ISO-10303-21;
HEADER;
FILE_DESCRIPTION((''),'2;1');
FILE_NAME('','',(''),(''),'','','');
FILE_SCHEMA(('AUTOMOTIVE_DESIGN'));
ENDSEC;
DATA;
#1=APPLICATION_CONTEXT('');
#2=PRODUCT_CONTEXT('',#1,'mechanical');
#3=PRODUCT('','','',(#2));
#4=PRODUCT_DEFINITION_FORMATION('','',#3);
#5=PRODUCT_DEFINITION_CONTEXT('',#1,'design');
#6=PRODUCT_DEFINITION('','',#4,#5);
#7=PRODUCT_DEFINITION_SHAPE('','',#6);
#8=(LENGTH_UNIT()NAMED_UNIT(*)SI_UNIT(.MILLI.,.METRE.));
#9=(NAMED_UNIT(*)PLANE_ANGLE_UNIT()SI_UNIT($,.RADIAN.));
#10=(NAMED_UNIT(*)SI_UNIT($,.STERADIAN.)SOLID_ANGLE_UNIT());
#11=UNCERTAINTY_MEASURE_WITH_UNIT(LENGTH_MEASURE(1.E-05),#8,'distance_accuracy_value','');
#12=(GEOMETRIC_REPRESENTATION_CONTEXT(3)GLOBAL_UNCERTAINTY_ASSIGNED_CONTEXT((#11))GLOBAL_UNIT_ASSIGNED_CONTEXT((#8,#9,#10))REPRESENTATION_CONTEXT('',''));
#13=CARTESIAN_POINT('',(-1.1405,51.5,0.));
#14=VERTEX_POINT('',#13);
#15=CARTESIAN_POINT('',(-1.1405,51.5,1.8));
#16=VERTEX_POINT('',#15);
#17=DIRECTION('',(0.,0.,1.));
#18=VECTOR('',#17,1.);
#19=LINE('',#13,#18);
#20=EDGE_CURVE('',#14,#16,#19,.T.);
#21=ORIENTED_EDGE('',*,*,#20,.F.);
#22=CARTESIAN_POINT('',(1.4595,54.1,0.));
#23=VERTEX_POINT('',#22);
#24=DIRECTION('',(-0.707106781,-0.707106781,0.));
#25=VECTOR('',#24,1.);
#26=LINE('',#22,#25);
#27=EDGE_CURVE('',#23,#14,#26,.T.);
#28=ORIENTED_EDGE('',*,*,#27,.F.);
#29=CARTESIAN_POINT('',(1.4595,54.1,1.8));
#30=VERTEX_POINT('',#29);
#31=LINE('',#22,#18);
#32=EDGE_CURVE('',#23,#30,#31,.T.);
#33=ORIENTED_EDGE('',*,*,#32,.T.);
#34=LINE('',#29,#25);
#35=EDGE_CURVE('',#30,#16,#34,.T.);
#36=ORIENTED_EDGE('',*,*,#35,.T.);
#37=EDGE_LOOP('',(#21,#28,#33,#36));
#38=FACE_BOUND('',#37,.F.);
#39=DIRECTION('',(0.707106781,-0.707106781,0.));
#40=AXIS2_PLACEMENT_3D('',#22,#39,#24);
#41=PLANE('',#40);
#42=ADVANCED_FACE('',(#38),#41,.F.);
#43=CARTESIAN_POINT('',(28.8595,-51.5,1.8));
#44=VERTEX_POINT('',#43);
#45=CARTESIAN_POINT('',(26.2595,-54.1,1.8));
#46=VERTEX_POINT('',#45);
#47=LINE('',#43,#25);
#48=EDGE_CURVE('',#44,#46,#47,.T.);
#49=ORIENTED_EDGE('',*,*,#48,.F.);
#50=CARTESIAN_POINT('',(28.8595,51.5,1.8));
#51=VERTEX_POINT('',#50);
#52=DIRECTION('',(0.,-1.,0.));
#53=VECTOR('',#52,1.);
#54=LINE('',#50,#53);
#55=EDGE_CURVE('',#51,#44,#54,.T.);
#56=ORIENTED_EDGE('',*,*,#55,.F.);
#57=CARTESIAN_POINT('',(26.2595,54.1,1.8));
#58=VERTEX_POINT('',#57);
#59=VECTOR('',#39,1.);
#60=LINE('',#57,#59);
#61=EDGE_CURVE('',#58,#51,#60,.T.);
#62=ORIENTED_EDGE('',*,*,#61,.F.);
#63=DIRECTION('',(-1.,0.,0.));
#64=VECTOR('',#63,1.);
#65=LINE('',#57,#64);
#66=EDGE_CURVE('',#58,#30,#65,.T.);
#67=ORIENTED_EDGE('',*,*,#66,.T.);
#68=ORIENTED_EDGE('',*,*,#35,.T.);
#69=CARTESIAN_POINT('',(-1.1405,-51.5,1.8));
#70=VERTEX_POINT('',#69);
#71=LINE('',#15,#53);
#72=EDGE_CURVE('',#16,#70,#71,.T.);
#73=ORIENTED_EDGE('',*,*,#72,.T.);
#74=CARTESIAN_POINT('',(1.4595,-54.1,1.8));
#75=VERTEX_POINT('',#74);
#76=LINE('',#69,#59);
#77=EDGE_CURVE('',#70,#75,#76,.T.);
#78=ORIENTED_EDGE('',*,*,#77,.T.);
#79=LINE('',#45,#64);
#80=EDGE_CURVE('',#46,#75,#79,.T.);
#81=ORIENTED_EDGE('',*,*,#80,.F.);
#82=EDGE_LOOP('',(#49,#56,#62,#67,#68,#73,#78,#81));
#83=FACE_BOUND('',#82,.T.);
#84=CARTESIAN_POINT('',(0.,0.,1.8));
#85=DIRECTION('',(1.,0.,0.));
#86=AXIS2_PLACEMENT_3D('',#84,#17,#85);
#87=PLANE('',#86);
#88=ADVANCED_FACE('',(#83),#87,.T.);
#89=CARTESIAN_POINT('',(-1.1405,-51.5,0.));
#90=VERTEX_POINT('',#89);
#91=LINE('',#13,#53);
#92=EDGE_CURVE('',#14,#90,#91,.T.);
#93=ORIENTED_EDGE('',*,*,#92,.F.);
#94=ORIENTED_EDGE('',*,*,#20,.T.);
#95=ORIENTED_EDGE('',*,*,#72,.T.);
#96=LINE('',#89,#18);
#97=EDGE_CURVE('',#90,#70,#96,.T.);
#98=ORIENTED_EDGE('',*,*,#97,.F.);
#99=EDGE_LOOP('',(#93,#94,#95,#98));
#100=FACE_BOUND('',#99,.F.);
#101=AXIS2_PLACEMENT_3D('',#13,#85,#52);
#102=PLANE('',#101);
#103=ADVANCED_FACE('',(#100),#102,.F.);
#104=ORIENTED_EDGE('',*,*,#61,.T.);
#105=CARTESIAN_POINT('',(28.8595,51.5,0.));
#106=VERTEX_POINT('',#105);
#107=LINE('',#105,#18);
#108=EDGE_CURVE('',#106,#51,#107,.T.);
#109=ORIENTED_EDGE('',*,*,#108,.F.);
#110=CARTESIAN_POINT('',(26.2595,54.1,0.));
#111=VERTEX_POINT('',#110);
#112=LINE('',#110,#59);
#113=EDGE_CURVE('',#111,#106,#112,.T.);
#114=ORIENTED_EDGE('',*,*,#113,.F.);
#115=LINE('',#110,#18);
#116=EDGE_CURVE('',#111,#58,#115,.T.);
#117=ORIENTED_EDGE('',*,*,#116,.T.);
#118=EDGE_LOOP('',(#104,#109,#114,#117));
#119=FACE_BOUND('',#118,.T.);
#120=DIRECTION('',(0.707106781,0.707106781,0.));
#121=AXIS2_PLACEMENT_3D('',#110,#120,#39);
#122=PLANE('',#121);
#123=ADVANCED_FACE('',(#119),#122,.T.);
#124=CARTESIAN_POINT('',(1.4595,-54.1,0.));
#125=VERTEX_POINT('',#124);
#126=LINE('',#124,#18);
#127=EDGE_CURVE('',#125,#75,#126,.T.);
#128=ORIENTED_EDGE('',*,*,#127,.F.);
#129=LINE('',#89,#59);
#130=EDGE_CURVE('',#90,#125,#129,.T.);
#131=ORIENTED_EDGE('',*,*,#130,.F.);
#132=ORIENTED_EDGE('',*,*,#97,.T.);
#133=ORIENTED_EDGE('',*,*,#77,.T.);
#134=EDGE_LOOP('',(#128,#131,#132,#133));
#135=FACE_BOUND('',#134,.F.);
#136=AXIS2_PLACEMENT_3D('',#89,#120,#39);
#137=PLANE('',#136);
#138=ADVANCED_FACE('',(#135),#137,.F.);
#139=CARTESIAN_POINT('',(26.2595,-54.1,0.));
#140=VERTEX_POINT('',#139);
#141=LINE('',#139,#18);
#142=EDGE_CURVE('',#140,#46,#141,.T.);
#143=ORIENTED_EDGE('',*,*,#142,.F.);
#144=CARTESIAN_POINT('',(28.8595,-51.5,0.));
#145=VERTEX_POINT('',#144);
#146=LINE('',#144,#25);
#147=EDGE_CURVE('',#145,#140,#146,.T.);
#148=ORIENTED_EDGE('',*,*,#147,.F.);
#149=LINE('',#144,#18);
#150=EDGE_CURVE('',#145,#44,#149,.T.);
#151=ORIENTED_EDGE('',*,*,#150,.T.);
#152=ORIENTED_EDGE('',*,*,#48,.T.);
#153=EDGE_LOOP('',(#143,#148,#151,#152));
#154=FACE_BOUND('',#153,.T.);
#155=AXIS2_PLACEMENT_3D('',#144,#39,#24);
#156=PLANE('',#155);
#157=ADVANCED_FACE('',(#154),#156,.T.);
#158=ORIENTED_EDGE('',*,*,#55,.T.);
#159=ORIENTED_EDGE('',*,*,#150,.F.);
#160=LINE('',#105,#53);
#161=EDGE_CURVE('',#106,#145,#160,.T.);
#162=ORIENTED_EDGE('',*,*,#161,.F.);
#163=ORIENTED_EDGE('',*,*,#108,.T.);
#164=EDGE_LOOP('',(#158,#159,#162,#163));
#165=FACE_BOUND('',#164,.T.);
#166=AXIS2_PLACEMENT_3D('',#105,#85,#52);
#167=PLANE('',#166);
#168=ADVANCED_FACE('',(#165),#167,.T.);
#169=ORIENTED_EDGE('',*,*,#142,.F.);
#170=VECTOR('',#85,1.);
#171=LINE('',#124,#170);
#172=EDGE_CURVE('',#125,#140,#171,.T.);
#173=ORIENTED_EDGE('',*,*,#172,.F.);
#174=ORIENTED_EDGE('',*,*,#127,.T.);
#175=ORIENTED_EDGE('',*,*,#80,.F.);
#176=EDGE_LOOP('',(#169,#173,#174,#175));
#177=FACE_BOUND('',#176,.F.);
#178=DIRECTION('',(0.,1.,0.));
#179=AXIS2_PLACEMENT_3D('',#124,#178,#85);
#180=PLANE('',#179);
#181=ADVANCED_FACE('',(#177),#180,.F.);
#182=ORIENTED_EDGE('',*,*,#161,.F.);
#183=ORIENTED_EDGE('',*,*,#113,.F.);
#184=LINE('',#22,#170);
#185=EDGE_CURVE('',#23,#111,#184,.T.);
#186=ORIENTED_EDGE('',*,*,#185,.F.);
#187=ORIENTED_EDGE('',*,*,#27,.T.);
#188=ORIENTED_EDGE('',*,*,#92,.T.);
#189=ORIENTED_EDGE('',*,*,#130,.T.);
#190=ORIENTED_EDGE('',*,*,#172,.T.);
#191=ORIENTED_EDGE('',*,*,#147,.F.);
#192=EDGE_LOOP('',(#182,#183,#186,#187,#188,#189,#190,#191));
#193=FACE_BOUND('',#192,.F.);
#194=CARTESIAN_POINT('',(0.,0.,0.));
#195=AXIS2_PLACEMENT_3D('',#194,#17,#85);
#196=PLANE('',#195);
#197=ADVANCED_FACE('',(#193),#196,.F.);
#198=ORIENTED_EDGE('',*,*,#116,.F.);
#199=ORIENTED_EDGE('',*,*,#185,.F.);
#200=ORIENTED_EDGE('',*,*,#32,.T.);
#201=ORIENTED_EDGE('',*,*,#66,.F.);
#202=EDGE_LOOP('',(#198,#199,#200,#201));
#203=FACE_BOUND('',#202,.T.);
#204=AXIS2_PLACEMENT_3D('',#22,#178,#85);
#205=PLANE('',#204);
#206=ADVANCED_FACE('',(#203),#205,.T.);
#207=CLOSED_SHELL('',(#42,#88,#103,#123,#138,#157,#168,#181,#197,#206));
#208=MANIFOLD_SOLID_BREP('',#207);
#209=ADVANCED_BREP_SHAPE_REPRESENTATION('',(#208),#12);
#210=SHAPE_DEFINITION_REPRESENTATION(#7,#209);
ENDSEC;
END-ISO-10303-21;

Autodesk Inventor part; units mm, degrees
ref_plane "YZ Plane" through (0, 0, 0) normal (1, 0, 0) x (0, 1, 0)
ref_plane "XZ Plane" through (0, 0, 0) normal (0, 1, 0) x (-1, 0, 0)
ref_plane "XY Plane" through (0, 0, 0) normal (0, 0, 1) x (1, 0, 0)
sketch "Sketch1" plane through (0, 0, 0) normal (0, 0, 1) x (1, 0, 0)
  arc A0 (6.9595, 53) -> (8.4595, 54.5) centre (6.9595, 54.5) ccw projected
  line L0 (1.4595, 54.5) -> (8.4595, 54.5) projected
  arc A1 (1.4595, 54.5) -> (-1.5405, 51.5) centre (1.4595, 51.5) ccw projected
  line L1 (-1.5405, -51.5) -> (-1.5405, 51.5) projected
  arc A2 (-1.5405, -51.5) -> (1.4595, -54.5) centre (1.4595, -51.5) ccw projected
  line L2 (8.4595, -54.5) -> (1.4595, -54.5) projected
  arc A3 (8.4595, -54.5) -> (6.9595, -53) centre (6.9595, -54.5) ccw projected
  line L3 (1.4595, -53) -> (6.9595, -53) projected
  arc A4 (-0.0405, -51.5) -> (1.4595, -53) centre (1.4595, -51.5) ccw projected
  line L4 (-0.0405, 51.5) -> (-0.0405, -51.5) projected
  arc A5 (1.4595, 53) -> (-0.0405, 51.5) centre (1.4595, 51.5) ccw projected
  line L5 (6.9595, 53) -> (1.4595, 53) projected
  arc A6 (1.4595, 54.1) -> (-1.1405, 51.5) centre (1.4595, 51.5) ccw construction
  line L6 (1.4595, 54.1) -> (26.2595, 54.1)
  line L7 (-1.1405, 51.5) -> (-1.1405, -51.5)
  arc A7 (-1.1405, -51.5) -> (1.4595, -54.1) centre (1.4595, -51.5) ccw construction
  line L8 (1.4595, -54.1) -> (26.2595, -54.1)
  line L9 (-1.1405, -51.5) -> (1.4595, -54.1)
  line L10 (1.4595, 54.1) -> (-1.1405, 51.5)
  line L11 (26.2595, 54.1) -> (28.8595, 51.5)
  line L12 (28.8595, 51.5) -> (28.8595, -51.5)
  line L13 (28.8595, -51.5) -> (26.2595, -54.1)
  point P0 (0, 0)
  dimension "d0" = 0.4
  dimension "d1" = 30
extrude "Extrusion1" add sketch "Sketch1" along normal blind 1.8 contours L5 A5 L4 A4 L3 A3 L8 L9 L7 L10 L6 A0 | A0 L6 L11 L12 L13 L8 A3 L3 A4 L4 A5 L5
properties part number "multiplier_pcb" material "Phenolic Resin"
